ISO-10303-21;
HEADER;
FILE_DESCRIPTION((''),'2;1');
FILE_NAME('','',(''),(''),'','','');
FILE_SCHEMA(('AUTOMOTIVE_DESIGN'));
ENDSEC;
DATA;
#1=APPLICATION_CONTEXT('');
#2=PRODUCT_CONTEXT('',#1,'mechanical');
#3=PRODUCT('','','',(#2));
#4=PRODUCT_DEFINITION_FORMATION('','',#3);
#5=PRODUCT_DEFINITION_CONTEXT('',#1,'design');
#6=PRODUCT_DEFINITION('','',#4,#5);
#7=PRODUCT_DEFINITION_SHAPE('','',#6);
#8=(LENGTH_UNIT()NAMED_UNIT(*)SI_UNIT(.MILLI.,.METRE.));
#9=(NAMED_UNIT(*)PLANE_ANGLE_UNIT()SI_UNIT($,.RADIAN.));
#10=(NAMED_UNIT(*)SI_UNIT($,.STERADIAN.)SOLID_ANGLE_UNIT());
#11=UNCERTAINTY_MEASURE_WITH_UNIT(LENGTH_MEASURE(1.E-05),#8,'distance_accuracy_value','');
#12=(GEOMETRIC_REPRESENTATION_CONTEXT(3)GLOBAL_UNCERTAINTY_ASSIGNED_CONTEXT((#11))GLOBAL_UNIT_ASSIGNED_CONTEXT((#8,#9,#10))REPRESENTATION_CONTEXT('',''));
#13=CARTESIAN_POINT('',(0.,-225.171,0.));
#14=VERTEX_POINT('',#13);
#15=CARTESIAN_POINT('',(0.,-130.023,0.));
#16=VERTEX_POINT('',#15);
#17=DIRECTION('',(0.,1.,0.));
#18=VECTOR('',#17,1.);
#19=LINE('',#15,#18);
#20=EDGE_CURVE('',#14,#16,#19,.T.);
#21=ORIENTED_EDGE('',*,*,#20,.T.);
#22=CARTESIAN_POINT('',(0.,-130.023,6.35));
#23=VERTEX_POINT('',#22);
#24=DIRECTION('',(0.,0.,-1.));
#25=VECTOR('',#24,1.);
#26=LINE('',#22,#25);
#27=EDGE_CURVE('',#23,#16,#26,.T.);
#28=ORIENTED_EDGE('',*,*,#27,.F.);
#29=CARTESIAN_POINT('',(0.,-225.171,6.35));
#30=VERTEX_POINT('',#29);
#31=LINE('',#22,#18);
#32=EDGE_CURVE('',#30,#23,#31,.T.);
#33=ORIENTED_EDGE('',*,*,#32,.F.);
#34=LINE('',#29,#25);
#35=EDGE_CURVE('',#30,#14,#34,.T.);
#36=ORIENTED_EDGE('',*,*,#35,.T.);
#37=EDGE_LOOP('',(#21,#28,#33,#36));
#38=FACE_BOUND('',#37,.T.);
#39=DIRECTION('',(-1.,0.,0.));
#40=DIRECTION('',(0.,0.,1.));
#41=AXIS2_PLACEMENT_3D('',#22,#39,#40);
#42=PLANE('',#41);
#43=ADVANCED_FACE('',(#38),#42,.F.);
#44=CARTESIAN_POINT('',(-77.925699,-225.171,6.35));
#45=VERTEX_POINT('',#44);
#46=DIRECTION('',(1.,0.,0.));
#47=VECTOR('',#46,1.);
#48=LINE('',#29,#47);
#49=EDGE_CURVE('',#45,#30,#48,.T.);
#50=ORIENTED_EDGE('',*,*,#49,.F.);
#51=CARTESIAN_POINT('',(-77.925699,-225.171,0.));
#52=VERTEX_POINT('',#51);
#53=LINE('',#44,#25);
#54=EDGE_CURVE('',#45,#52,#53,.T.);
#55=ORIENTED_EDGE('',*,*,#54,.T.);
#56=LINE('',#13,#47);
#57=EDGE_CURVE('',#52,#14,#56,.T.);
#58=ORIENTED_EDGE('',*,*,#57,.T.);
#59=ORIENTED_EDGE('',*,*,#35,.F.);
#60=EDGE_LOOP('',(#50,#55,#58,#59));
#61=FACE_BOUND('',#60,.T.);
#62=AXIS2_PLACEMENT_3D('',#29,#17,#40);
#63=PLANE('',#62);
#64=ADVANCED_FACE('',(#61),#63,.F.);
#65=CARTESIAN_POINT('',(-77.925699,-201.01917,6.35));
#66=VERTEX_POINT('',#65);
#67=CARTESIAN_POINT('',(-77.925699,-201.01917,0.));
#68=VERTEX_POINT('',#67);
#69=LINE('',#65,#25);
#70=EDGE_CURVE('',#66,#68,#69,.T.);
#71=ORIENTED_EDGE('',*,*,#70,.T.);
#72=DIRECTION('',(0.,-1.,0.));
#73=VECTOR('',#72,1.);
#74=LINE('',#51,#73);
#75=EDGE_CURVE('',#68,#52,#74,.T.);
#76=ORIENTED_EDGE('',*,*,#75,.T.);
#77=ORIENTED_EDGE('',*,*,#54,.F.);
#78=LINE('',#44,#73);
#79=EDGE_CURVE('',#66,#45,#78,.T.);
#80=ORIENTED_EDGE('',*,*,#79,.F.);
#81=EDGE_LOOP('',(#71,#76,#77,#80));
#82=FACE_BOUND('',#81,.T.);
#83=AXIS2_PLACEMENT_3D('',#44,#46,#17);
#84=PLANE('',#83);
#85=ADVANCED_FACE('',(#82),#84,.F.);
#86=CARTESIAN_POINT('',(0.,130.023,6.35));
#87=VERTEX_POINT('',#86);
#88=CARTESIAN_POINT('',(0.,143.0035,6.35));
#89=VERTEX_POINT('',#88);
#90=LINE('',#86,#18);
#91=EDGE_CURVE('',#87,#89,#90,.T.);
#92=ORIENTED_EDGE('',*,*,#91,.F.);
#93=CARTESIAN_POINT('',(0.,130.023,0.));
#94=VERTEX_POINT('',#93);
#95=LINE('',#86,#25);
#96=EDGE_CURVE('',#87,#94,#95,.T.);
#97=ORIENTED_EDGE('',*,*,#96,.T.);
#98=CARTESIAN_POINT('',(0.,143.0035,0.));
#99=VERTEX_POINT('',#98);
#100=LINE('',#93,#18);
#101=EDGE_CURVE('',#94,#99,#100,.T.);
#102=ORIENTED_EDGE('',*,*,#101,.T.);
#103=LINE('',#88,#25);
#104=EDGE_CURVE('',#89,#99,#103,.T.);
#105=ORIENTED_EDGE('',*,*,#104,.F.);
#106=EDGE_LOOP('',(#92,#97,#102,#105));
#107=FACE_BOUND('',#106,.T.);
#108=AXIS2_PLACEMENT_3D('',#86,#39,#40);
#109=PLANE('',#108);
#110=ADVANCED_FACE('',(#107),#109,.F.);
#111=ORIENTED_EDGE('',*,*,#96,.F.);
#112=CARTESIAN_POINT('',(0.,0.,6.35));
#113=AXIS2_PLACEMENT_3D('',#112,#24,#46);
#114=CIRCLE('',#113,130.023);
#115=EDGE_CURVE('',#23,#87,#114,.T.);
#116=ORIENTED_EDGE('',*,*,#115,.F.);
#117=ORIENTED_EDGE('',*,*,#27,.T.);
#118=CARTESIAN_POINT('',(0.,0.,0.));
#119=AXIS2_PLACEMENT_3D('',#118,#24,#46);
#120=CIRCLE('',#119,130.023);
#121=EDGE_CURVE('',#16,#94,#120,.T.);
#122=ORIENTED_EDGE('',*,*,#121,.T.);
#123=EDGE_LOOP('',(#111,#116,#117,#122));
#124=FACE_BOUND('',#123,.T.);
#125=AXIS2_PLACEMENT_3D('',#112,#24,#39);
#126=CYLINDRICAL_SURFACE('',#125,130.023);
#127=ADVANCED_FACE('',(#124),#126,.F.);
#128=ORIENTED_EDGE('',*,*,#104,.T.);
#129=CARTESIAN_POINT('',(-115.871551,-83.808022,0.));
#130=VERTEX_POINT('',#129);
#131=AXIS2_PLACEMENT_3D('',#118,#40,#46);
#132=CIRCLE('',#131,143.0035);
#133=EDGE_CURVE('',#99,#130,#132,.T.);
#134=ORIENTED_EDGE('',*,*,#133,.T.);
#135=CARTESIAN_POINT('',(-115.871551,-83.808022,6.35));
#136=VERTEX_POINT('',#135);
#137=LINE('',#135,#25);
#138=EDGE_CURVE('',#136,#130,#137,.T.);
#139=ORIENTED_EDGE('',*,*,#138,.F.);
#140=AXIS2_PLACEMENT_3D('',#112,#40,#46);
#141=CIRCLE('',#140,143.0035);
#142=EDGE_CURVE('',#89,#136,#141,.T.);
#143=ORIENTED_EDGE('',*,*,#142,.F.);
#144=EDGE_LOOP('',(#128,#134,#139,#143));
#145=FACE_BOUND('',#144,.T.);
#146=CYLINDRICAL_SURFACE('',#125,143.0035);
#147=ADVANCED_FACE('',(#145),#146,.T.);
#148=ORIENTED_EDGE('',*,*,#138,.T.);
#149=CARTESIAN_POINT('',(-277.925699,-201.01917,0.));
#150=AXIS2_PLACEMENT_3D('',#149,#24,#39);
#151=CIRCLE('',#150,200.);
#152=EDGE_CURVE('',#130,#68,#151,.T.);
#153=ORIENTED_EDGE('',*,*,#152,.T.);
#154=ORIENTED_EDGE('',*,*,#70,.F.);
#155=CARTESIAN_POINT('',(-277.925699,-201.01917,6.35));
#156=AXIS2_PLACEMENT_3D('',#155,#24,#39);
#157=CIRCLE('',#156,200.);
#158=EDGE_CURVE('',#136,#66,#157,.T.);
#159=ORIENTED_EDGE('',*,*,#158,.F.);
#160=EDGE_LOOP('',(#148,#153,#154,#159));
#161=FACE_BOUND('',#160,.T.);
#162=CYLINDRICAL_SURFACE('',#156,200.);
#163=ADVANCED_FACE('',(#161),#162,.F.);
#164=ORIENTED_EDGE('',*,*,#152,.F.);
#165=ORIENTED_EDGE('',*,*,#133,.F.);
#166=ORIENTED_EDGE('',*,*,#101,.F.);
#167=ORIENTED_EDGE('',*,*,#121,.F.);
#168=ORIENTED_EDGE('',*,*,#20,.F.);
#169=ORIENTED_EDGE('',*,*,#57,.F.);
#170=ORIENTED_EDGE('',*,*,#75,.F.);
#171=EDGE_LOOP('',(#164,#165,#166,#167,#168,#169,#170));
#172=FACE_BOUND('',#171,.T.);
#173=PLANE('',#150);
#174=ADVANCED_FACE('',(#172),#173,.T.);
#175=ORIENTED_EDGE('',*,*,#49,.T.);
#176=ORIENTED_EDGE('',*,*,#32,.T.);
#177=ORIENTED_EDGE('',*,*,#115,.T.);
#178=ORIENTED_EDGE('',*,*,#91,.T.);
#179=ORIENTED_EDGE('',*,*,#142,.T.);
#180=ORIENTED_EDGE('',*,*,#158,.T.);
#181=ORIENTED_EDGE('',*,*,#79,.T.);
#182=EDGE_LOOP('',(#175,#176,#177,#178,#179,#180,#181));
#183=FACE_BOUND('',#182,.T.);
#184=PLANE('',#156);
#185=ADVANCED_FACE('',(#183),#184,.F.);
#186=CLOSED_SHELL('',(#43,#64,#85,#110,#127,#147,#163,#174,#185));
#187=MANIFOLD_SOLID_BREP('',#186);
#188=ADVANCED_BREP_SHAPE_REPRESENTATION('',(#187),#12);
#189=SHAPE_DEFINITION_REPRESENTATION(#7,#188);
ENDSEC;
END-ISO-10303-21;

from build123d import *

# Parameters (mm, degrees)
BOSS_EXTRUDE3_DEPTH = 6.35


with BuildPart() as part:
    # Sketch1 → Boss-Extrude3 (new body)
    with BuildSketch(Plane.XY):
        with BuildLine():
            Line((0, 130.023), (0, 143.0035))
            ThreePointArc((0, 143.0035), (-127.347637401, 65.058283566), (-115.871551473, -83.808022119))
            ThreePointArc((-115.871551473, -83.808022119), (-87.648494018, -139.418965385), (-77.925699061, -201.019170265))
            Line((-77.925699061, -201.019170265), (-77.925699061, -225.171))
            Line((-77.925699061, -225.171), (0, -225.171))
            Line((0, -225.171), (0, -130.023))
            ThreePointArc((0, -130.023), (-130.023, 0), (0, 130.023))
        make_face()
    extrude(amount=BOSS_EXTRUDE3_DEPTH)


solid = part.part
